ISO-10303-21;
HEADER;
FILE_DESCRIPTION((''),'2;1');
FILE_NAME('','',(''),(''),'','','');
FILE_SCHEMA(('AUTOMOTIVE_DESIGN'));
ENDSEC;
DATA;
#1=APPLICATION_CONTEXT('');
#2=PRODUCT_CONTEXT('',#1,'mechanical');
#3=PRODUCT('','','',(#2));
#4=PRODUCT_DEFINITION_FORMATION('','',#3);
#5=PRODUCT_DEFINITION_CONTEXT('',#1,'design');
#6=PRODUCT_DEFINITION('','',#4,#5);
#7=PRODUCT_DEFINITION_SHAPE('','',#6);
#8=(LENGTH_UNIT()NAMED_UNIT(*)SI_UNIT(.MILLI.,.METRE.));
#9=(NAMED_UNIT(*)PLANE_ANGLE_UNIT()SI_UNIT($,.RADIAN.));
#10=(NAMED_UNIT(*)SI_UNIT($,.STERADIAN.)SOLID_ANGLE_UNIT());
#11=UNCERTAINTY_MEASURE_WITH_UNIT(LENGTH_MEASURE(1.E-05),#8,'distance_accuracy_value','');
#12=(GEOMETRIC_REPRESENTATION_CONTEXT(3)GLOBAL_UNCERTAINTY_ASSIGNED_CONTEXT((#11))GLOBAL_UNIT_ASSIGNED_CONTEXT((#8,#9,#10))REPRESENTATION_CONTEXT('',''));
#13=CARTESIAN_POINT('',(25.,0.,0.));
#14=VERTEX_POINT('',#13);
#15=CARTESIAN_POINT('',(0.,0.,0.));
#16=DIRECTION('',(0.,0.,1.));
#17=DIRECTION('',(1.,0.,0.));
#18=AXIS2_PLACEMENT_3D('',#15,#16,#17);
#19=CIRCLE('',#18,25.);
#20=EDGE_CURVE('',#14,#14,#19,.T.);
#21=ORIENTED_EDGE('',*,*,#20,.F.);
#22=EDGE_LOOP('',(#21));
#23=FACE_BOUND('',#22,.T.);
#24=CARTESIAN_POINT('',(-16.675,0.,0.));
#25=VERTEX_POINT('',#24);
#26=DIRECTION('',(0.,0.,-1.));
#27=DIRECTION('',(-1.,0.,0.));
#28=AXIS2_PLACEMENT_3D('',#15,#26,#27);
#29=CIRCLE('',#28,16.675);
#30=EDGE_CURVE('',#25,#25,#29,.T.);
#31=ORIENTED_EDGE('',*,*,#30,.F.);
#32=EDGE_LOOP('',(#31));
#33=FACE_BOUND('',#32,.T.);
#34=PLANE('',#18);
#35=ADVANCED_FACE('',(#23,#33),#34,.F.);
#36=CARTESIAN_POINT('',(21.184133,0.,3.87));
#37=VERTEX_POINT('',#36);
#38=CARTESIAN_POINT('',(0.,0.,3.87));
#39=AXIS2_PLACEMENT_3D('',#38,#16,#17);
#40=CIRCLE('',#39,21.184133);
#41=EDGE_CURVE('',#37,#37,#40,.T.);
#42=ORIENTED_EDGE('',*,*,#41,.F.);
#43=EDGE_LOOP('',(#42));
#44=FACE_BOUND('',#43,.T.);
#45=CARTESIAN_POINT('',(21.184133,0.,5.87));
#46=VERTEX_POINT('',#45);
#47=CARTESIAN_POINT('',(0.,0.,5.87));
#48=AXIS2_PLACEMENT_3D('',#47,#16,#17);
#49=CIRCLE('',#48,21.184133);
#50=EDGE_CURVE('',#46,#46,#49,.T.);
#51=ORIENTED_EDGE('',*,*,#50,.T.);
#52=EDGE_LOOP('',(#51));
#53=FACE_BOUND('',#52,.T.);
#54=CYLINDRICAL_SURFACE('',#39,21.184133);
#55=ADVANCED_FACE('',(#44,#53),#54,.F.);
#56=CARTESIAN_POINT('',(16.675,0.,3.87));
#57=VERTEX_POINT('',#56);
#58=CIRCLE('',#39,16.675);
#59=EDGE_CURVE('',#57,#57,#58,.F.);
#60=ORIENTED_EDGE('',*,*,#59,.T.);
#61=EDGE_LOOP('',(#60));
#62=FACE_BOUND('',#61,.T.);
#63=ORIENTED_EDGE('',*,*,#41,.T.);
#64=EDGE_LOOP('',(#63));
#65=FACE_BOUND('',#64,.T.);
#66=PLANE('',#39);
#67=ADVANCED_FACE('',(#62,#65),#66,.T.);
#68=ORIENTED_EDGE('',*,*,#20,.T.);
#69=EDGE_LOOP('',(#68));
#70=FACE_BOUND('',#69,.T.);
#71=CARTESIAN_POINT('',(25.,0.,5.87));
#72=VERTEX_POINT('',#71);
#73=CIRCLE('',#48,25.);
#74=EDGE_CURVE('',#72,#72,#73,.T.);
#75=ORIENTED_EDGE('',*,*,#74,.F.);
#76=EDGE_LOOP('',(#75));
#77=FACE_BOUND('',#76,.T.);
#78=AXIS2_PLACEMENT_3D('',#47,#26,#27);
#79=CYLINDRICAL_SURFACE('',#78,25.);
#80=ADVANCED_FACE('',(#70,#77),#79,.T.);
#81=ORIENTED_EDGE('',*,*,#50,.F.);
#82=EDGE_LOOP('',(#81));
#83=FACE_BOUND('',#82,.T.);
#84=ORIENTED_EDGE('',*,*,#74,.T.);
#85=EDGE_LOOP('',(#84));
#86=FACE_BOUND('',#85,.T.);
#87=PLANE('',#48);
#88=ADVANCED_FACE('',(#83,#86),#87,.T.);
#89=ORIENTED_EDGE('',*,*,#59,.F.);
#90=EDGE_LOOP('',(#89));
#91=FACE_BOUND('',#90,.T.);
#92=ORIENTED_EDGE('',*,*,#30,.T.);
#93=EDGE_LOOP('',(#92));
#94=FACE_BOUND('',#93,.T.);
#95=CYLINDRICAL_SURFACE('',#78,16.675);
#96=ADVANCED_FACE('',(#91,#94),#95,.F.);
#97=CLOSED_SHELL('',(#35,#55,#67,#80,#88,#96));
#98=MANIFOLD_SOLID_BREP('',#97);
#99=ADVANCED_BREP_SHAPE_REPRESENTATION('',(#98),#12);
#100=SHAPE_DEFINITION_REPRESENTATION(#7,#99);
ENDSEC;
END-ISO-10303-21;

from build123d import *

# Parameters (mm, degrees)
SKETCH1_R           = 25
BOSS_EXTRUDE1_DEPTH = 5.87
SKETCH2_R           = 16.675
CUT_EXTRUDE1_DEPTH  = 6.87
SKETCH3_R           = 21.184132597
CUT_EXTRUDE2_DEPTH  = 2


with BuildPart() as part:
    # Sketch1 → Boss-Extrude1 (new body)
    with BuildSketch(Plane.XY):
        Circle(SKETCH1_R)
    extrude(amount=BOSS_EXTRUDE1_DEPTH)

    # Sketch2 → Cut-Extrude1 (cut, through all)
    with BuildSketch(Plane(origin=(0, 0, 0), x_dir=(-1, 0, 0), z_dir=(0, 0, -1))):
        Circle(SKETCH2_R)
    extrude(amount=-CUT_EXTRUDE1_DEPTH, mode=Mode.SUBTRACT)

    # Sketch3 → Cut-Extrude2 (cut)
    with BuildSketch(Plane.XY.offset(5.87)):
        Circle(SKETCH3_R)
    extrude(amount=-CUT_EXTRUDE2_DEPTH, mode=Mode.SUBTRACT)


solid = part.part
